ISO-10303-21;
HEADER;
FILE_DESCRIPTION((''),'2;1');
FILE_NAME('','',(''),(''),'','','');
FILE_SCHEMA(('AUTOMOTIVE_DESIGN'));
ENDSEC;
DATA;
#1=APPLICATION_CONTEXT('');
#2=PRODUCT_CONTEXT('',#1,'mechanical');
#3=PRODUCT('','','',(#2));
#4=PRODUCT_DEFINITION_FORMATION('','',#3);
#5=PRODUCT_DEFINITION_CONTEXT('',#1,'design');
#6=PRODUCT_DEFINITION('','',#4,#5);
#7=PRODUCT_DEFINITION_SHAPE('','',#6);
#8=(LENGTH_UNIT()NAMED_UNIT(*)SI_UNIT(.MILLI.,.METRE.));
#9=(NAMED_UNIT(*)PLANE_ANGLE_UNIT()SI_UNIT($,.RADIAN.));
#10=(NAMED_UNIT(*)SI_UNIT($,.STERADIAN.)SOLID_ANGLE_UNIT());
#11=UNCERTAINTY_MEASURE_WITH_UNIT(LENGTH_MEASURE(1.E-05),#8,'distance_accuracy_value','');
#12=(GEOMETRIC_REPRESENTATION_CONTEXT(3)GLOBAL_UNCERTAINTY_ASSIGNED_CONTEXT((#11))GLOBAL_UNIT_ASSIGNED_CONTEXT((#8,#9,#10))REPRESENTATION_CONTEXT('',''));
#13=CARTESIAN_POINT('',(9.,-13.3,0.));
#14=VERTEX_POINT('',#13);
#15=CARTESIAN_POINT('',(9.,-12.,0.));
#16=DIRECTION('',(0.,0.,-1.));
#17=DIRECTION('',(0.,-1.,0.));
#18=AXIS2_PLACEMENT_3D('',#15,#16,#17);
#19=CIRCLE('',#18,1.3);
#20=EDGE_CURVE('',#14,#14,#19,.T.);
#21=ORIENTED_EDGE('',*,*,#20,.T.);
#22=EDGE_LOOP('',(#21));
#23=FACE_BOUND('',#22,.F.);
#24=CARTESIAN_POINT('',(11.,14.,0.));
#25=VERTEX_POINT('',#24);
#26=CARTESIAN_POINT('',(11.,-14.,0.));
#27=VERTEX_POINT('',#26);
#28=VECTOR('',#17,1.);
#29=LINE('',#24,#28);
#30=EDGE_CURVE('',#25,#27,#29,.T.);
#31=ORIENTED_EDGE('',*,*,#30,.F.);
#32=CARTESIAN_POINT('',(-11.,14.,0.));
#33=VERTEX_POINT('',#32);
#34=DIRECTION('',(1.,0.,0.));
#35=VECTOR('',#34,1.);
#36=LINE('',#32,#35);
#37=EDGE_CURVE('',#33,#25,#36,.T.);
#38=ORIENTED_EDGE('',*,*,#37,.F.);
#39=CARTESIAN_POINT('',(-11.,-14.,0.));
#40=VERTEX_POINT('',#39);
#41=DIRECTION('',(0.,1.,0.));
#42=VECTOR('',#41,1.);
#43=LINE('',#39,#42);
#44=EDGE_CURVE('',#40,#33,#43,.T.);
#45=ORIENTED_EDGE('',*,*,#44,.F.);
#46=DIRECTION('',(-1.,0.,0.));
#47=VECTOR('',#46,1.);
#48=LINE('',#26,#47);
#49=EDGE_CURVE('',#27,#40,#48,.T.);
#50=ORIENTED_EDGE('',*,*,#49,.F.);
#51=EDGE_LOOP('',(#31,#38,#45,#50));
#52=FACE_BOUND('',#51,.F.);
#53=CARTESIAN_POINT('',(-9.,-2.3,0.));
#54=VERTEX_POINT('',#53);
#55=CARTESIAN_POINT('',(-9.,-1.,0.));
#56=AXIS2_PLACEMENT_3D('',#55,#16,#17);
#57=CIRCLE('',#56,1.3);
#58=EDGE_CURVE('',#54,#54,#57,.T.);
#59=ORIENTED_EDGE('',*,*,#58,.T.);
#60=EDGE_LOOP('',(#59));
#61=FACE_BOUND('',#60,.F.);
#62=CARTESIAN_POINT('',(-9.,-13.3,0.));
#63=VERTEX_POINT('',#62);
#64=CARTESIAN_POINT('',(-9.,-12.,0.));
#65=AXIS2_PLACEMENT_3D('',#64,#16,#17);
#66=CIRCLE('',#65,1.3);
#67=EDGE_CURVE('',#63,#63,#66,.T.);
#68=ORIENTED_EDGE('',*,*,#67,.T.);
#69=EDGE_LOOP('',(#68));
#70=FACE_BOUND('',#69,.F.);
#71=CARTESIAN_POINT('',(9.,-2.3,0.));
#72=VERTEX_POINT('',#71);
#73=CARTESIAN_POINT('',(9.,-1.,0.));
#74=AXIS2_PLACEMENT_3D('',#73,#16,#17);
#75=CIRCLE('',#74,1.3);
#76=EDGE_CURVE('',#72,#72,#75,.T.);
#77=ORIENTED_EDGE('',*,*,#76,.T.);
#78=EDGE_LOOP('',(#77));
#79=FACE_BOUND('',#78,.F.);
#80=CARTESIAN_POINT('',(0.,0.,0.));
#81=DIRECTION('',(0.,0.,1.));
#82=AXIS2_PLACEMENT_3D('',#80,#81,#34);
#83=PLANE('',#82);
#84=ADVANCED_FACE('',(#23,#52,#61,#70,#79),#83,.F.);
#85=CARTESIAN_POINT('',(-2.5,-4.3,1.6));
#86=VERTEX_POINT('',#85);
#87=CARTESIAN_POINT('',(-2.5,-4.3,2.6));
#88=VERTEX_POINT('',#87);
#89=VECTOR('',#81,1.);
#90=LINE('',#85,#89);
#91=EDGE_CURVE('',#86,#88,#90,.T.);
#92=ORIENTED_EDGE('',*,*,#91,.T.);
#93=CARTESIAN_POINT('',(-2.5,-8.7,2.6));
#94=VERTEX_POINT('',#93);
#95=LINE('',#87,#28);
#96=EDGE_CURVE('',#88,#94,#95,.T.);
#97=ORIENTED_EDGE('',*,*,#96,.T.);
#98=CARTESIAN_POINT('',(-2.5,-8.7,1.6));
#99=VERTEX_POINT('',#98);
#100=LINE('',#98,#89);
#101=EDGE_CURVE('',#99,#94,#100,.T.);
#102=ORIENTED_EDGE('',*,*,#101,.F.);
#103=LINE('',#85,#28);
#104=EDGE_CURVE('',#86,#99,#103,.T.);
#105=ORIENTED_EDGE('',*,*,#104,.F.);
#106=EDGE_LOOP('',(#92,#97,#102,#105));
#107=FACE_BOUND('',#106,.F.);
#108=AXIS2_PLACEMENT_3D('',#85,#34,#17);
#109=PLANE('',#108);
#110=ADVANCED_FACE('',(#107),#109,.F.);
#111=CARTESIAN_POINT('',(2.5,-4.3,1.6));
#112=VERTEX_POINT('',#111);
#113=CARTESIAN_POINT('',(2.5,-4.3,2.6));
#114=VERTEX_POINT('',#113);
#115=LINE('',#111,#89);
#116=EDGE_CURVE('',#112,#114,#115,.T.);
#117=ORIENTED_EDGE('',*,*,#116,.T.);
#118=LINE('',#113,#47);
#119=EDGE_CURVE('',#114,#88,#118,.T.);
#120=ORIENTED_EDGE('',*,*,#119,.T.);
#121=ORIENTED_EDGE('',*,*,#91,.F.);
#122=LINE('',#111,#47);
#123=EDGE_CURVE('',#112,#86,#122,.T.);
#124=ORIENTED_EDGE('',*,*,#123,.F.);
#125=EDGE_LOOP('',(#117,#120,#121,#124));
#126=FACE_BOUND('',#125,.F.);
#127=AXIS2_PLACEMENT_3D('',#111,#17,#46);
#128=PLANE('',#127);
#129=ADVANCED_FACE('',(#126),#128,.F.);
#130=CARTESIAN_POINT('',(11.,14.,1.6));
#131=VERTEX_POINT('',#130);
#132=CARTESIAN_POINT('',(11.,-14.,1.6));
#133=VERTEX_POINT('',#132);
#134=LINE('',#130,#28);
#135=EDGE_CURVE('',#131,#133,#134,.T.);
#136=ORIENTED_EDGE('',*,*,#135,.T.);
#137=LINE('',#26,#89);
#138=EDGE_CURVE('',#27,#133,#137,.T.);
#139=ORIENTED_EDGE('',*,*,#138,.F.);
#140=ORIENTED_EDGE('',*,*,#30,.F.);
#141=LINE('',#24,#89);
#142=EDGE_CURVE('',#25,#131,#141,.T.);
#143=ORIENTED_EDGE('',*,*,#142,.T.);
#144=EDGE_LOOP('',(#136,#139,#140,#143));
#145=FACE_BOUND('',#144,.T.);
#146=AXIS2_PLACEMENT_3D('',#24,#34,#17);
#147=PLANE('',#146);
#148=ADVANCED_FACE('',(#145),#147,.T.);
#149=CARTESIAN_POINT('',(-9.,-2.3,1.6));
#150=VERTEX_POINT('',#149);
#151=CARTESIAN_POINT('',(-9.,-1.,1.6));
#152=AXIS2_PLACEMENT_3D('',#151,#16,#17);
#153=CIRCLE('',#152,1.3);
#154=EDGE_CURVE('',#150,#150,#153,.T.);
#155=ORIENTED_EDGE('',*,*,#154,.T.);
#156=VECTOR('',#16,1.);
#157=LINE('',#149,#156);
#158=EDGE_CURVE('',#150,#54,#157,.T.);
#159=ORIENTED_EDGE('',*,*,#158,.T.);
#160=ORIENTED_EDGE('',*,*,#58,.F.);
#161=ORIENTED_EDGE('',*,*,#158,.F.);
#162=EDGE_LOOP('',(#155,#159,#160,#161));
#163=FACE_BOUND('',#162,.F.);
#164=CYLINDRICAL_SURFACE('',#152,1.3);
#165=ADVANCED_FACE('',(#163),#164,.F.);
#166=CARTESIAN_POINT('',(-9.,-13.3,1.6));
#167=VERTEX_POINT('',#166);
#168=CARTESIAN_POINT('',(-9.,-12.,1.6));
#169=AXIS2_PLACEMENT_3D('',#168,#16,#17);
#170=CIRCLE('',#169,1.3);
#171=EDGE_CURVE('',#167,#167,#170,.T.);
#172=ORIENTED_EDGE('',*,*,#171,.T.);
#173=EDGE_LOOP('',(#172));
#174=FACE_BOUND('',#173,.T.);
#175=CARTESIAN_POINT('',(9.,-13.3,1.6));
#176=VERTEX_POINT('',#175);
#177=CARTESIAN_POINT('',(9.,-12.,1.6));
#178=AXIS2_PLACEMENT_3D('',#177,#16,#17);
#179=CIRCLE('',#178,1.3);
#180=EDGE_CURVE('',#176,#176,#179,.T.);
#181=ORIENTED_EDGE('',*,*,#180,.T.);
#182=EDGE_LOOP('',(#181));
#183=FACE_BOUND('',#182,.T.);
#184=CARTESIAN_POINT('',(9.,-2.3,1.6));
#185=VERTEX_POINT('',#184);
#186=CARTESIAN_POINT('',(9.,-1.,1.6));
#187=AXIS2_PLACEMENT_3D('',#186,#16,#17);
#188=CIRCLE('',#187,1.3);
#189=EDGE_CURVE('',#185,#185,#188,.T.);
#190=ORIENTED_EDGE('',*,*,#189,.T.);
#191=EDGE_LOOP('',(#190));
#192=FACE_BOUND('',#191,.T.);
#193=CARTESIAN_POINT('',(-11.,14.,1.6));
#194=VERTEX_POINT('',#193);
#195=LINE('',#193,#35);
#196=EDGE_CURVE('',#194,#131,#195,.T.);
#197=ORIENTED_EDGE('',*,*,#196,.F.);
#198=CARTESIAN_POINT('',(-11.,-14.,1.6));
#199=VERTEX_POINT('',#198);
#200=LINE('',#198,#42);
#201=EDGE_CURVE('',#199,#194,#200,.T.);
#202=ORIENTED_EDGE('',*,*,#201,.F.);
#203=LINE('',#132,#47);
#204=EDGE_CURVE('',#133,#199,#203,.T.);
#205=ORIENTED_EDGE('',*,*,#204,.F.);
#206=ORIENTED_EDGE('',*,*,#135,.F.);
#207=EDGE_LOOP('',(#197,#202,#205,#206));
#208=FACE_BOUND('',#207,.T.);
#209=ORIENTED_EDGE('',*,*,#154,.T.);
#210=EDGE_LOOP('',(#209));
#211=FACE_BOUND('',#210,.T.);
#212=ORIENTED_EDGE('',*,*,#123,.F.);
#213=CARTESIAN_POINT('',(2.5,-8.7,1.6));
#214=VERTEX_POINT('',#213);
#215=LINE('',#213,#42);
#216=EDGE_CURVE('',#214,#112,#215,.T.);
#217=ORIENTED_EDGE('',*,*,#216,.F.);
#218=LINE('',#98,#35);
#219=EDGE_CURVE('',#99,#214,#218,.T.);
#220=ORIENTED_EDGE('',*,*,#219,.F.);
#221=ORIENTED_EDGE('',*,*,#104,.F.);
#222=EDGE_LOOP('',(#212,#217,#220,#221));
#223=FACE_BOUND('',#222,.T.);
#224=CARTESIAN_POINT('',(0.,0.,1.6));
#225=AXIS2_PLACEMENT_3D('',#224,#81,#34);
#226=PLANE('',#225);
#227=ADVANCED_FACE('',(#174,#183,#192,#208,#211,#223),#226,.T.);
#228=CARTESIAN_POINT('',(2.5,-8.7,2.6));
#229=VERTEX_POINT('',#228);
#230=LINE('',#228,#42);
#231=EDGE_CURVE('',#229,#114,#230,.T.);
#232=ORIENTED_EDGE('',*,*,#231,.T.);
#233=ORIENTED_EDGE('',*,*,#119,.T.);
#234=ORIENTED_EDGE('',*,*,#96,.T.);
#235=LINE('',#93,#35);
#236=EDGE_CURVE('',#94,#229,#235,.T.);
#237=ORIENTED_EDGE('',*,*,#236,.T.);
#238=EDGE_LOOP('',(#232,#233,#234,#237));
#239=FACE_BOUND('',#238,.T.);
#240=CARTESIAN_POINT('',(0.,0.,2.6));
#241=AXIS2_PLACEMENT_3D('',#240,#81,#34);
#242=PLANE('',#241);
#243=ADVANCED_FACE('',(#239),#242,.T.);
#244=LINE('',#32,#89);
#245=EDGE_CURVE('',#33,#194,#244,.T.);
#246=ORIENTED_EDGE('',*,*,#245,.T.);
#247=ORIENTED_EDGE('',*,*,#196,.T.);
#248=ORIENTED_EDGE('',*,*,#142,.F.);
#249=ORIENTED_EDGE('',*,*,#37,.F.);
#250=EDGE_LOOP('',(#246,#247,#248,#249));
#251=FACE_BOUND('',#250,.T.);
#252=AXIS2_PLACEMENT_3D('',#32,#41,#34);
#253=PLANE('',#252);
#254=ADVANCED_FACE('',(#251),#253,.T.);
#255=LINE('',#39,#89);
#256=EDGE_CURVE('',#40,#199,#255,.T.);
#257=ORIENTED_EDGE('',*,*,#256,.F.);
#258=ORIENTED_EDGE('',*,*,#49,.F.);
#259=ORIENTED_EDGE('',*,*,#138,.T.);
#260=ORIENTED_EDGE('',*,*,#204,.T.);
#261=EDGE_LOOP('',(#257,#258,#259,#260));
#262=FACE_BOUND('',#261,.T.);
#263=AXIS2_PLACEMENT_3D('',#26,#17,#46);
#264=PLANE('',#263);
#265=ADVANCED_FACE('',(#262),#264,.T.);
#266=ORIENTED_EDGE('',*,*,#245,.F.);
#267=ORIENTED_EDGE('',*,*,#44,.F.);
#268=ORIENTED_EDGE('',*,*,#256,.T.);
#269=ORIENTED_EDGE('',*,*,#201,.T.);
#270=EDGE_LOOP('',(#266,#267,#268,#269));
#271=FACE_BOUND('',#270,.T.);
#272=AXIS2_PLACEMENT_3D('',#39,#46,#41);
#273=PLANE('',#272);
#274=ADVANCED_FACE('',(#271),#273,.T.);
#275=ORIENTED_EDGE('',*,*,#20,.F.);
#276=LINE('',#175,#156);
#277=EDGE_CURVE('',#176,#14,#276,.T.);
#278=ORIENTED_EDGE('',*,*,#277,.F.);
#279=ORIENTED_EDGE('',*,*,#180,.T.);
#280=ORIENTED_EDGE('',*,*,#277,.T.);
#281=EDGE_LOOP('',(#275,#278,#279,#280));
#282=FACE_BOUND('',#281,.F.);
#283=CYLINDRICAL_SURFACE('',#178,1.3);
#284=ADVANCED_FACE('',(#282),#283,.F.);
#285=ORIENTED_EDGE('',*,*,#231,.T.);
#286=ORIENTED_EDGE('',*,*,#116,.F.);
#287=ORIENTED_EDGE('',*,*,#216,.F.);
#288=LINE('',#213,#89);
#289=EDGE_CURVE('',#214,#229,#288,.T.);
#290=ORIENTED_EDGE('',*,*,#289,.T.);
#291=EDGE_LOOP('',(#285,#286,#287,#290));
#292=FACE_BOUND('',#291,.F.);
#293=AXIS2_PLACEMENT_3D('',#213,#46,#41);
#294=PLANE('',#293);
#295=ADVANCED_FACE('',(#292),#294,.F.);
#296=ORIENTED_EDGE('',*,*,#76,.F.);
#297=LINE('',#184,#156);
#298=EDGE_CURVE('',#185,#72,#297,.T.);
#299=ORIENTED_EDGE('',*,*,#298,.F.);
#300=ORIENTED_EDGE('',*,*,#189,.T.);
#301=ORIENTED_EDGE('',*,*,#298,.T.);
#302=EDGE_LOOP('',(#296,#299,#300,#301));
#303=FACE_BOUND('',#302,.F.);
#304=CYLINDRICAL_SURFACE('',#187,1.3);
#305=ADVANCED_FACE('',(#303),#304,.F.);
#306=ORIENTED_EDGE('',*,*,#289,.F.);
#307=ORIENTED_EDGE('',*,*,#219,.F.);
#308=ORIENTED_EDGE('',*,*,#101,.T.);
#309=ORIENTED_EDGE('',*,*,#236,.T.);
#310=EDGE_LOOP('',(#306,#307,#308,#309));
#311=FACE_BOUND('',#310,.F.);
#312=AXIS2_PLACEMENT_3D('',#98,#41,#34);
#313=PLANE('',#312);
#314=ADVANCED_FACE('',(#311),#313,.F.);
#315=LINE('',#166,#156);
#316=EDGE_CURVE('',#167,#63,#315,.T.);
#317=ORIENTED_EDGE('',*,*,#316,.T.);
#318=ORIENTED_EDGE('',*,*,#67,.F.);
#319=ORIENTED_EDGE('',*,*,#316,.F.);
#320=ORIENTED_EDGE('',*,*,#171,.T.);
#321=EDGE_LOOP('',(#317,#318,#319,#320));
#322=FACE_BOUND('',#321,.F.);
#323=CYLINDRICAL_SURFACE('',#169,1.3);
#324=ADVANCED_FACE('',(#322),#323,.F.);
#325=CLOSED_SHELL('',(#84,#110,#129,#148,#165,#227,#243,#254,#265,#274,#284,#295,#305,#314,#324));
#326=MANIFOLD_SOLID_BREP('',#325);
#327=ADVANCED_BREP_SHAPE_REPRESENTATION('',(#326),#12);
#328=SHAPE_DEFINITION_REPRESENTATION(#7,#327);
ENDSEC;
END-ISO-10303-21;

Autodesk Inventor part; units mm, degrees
ref_plane "YZ Plane" through (0, 0, 0) normal (1, 0, 0) x (0, 1, 0)
ref_plane "XZ Plane" through (0, 0, 0) normal (0, 1, 0) x (-1, 0, 0)
ref_plane "XY Plane" through (0, 0, 0) normal (0, 0, 1) x (1, 0, 0)
sketch "Sketch1" plane through (0, 0, 0) normal (0, 0, 1) x (1, 0, 0)
  line L0 (-11, 14) -> (11, 14)
  line L1 (11, 14) -> (11, -14)
  line L2 (11, -14) -> (-11, -14)
  line L3 (-11, -14) -> (-11, 14)
  line L4 (-11, 14) -> (11, -14) construction
  line L5 (11, 14) -> (-11, -14) construction
  point P0 (0, 0)
  dimension "d0" = 22
  dimension "d1" = 28
extrude "Extrusion1" add sketch "Sketch1" along normal blind 1.6
sketch "Sketch2" plane through (0, 0, 1.6) normal (0, 0, 1) x (1, 0, 0)
  line L0 (-9, -12) -> (9, -12)
  line L1 (9, -12) -> (9, -1)
  line L2 (9, -1) -> (-9, -1)
  line L3 (-9, -1) -> (-9, -12)
  line L4 (-9, -12) -> (9, -1) construction
  line L5 (9, -12) -> (-9, -1) construction
  line L6 (0, 19.6) -> (0, -19.6) projected
  line L7 (-11, -14) -> (11, -14) projected
  point P0 (0, 0)
  point P1 (0, -6.5)
  dimension "d4" = 11
  dimension "d5" = 18
  dimension "d6" = 2
hole "Hole1" at (-9, -1, 1.6) at (9, -1, 1.6) at (9, -12, 1.6) at (-9, -12, 1.6) direction (0, 0, -1) diameter 2.6 end through all
sketch "Sketch3" plane through (0, 0, 1.6) normal (0, 0, 1) x (1, 0, 0)
  line L0 (-2.5, -8.7) -> (2.5, -8.7)
  line L1 (2.5, -8.7) -> (2.5, -4.3)
  line L2 (2.5, -4.3) -> (-2.5, -4.3)
  line L3 (-2.5, -4.3) -> (-2.5, -8.7)
  line L4 (-2.5, -8.7) -> (2.5, -4.3) construction
  line L5 (2.5, -8.7) -> (-2.5, -4.3) construction
  circle A0 centre (9, -1) radius 1.3 projected
  point P0 (0, 0)
  point P1 (0, -6.5)
  dimension "d14" = 5
  dimension "d15" = 4.4
  dimension "d16" = 5.5
extrude "Extrusion2" add sketch "Sketch3" along normal blind 1 contours L3 L2 L1 L0
properties part number "AS5047"
